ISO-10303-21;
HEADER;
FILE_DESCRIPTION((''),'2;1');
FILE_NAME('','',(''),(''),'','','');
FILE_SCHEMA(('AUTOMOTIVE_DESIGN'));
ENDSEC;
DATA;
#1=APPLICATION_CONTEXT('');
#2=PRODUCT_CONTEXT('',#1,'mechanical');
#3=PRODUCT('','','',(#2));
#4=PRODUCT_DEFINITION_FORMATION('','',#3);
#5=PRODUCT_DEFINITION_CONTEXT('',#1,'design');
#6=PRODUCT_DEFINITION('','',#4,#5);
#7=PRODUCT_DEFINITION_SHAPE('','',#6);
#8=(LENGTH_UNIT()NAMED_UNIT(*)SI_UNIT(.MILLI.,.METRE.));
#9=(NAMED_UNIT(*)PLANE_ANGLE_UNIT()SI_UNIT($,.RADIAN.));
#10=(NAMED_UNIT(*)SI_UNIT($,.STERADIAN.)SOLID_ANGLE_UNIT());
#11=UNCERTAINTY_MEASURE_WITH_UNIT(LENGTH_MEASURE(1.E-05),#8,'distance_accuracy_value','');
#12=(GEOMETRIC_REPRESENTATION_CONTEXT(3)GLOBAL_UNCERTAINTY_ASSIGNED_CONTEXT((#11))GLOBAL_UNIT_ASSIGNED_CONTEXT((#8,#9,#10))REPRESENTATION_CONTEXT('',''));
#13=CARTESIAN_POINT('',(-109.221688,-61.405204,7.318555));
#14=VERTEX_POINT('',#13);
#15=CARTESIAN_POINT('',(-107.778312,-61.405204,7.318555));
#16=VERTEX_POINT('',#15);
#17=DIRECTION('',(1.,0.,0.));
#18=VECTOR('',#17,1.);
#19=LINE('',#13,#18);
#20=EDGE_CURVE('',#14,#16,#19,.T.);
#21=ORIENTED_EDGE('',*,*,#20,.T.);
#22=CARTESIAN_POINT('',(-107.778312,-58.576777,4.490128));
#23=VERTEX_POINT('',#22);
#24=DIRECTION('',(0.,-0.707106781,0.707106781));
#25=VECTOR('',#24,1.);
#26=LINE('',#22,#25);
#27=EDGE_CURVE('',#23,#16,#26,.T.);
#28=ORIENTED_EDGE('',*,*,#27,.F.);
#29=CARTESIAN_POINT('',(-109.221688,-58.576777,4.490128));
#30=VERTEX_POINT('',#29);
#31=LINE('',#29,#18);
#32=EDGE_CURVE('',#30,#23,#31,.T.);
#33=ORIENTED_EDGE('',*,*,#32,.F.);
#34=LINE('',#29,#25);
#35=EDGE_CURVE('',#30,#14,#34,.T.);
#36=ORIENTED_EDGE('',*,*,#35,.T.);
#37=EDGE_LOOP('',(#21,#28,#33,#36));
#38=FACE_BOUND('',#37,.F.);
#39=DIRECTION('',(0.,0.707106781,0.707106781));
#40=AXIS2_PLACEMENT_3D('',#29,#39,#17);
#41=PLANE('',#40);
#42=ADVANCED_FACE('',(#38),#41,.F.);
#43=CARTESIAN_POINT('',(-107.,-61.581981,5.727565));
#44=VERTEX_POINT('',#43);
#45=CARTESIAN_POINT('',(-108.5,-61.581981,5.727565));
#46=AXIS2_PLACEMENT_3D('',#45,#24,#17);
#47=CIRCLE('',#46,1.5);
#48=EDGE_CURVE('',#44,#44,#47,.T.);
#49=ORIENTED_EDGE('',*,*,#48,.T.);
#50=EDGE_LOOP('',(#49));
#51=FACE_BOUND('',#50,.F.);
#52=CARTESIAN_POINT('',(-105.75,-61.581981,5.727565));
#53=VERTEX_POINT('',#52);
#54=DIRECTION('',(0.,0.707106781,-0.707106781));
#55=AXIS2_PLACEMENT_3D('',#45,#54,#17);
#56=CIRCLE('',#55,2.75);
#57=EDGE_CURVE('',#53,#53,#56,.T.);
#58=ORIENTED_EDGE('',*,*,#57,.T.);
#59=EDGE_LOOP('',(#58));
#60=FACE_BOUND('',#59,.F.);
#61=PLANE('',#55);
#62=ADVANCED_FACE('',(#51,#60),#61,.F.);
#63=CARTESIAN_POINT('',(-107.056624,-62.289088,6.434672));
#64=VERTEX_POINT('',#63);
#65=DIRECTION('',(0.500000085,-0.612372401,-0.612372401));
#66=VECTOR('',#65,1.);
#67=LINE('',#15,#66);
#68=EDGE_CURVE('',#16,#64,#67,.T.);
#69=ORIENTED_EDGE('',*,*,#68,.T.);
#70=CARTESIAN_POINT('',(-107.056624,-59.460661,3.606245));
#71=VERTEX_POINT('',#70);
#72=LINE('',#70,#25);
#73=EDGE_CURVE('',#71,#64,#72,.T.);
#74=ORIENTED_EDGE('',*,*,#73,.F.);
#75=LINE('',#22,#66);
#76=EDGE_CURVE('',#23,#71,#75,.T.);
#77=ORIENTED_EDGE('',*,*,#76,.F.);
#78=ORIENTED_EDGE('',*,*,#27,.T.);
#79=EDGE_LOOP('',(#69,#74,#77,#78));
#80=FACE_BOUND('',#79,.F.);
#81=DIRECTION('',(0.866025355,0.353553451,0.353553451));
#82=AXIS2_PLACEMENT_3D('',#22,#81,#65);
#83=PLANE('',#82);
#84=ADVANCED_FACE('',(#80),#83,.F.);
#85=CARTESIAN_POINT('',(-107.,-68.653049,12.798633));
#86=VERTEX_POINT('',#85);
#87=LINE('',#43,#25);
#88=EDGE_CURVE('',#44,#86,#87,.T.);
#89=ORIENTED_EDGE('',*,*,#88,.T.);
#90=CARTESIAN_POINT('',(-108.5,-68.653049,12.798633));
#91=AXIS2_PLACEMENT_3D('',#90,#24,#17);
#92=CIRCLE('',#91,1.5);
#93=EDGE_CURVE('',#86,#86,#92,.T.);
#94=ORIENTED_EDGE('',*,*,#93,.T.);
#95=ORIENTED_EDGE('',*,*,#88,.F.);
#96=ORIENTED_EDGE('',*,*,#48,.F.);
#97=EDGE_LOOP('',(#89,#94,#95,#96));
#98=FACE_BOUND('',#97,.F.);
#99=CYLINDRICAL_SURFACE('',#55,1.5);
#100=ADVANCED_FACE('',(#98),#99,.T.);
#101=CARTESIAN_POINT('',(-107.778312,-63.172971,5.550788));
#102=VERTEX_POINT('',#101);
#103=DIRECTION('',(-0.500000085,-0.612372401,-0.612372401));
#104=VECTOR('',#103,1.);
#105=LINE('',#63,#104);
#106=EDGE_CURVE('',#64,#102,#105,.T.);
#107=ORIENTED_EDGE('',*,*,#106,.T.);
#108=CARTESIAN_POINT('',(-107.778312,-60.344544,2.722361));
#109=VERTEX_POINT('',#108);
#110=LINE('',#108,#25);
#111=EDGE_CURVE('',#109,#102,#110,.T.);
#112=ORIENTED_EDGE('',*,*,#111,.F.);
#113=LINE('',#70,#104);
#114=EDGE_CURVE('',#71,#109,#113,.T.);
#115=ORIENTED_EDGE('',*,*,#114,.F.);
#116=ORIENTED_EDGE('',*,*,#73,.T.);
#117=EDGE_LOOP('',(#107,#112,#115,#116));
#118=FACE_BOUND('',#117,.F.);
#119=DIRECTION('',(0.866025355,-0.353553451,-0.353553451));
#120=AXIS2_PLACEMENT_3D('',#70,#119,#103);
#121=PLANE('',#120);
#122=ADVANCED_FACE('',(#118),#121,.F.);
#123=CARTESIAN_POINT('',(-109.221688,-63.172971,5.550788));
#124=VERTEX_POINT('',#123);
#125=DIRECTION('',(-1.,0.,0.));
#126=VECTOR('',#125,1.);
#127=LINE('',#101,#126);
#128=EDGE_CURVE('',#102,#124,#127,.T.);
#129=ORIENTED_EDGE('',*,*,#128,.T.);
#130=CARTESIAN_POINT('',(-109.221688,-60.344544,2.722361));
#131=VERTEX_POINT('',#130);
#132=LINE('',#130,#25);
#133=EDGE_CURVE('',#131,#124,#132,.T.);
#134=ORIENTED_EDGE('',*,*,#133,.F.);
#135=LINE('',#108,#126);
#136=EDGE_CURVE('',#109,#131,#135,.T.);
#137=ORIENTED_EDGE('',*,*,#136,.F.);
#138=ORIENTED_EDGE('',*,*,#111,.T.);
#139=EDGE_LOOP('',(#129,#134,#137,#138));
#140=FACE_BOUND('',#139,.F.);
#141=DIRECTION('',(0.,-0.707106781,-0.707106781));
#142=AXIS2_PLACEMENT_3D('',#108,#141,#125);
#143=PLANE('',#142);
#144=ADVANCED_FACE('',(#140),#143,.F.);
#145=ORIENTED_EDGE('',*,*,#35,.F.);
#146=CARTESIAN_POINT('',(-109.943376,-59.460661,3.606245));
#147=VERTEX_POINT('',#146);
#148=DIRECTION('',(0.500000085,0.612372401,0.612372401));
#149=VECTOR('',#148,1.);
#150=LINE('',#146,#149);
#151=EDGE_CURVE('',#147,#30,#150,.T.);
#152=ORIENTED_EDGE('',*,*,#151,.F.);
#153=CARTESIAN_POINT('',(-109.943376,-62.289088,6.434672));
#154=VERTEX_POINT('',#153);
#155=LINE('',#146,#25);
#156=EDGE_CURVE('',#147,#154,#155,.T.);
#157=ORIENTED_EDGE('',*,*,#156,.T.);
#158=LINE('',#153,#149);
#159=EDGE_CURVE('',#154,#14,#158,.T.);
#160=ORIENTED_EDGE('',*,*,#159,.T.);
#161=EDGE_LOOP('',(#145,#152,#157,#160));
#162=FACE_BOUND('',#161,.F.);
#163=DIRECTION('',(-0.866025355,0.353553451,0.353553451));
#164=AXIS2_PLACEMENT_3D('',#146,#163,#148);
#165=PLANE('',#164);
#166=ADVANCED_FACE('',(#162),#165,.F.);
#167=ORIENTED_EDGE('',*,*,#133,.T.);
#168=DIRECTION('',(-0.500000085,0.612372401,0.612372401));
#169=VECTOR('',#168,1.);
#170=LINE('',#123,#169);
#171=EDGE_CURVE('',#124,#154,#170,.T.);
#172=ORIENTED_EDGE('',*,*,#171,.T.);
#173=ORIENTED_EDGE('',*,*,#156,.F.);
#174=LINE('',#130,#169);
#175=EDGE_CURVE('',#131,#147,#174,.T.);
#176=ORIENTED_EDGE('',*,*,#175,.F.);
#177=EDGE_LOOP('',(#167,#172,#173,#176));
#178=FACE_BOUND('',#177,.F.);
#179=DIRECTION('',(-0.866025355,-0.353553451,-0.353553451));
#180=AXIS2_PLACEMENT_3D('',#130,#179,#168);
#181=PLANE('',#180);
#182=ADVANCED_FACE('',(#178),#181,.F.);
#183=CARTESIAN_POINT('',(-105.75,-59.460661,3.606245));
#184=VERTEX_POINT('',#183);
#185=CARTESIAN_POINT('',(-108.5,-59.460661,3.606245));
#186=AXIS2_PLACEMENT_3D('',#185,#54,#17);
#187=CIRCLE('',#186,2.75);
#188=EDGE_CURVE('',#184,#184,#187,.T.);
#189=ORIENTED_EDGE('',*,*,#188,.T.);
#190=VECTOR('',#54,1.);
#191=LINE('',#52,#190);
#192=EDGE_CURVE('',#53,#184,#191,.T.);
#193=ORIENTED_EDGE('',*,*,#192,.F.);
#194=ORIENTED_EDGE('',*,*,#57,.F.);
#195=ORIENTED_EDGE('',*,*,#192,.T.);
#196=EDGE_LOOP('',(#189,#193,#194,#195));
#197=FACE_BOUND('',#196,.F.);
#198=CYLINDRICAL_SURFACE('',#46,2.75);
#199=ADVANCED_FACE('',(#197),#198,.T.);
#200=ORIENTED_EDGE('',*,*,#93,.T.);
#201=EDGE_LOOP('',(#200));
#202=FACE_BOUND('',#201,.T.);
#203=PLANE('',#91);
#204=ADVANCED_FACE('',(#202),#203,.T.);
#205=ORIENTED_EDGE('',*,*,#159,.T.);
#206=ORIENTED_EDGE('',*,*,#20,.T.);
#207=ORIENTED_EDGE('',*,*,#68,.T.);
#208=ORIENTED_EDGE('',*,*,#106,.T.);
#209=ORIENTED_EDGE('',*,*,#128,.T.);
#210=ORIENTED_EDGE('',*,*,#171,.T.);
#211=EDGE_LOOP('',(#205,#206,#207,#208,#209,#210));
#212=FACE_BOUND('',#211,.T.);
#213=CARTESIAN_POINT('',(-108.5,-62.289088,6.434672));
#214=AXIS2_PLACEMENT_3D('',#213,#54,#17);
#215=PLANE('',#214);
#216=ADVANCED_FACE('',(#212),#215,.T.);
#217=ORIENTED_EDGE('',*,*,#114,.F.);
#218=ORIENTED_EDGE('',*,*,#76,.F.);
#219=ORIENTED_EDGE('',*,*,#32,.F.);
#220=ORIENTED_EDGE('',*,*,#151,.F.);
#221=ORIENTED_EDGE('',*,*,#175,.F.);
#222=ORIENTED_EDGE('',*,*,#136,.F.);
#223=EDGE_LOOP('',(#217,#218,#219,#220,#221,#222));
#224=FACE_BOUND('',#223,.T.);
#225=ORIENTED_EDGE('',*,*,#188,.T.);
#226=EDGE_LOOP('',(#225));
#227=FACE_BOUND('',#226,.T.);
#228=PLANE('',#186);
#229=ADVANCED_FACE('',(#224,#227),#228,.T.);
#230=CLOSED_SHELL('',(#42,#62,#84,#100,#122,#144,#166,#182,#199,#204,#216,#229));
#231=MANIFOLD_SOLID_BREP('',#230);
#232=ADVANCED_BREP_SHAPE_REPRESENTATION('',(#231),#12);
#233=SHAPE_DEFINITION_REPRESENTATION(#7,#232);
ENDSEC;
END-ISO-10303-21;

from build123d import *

# Parameters (mm, degrees)
SKETCH022_R             = 2.75
PAD011_DEPTH            = 3
SKETCH023_R             = 1.5
PAD010_DEPTH            = 10
POCKET012_DEPTH         = 4
BODY004_PLACEMENT_ANGLE = 225


with BuildPart() as part:
    # Sketch022 → Pad011 (new body)
    with BuildSketch(Plane.XY):
        Circle(SKETCH022_R)
    extrude(amount=PAD011_DEPTH)

    # Sketch023 (on Face2 of Pad011) → Pad010 (join)
    with BuildSketch(Plane(origin=(0, 0, 0), x_dir=(1, 0, 0), z_dir=(0, 0, -1))):
        Circle(SKETCH023_R)
    extrude(amount=PAD010_DEPTH)

    # Sketch024 (on DatumPlane) → Pocket012 (cut)
    with BuildSketch(Plane.XY.offset(3)):
        Polygon((0.721688, -1.25), (1.443376, 0), (0.721688, 1.25), (-0.721688, 1.25), (-1.443376, 0), (-0.721688, -1.25), align=None)
    extrude(amount=-POCKET012_DEPTH, mode=Mode.SUBTRACT)


with BuildPart() as part_1:
    # Body004 placement: moved
    add(part.part.moved(Location((-108.5, -61.581981, 5.727565))).rotate(Axis((-108.5, -61.581981, 5.727565), (1, 0, 0)), BODY004_PLACEMENT_ANGLE))


solid = part_1.part
